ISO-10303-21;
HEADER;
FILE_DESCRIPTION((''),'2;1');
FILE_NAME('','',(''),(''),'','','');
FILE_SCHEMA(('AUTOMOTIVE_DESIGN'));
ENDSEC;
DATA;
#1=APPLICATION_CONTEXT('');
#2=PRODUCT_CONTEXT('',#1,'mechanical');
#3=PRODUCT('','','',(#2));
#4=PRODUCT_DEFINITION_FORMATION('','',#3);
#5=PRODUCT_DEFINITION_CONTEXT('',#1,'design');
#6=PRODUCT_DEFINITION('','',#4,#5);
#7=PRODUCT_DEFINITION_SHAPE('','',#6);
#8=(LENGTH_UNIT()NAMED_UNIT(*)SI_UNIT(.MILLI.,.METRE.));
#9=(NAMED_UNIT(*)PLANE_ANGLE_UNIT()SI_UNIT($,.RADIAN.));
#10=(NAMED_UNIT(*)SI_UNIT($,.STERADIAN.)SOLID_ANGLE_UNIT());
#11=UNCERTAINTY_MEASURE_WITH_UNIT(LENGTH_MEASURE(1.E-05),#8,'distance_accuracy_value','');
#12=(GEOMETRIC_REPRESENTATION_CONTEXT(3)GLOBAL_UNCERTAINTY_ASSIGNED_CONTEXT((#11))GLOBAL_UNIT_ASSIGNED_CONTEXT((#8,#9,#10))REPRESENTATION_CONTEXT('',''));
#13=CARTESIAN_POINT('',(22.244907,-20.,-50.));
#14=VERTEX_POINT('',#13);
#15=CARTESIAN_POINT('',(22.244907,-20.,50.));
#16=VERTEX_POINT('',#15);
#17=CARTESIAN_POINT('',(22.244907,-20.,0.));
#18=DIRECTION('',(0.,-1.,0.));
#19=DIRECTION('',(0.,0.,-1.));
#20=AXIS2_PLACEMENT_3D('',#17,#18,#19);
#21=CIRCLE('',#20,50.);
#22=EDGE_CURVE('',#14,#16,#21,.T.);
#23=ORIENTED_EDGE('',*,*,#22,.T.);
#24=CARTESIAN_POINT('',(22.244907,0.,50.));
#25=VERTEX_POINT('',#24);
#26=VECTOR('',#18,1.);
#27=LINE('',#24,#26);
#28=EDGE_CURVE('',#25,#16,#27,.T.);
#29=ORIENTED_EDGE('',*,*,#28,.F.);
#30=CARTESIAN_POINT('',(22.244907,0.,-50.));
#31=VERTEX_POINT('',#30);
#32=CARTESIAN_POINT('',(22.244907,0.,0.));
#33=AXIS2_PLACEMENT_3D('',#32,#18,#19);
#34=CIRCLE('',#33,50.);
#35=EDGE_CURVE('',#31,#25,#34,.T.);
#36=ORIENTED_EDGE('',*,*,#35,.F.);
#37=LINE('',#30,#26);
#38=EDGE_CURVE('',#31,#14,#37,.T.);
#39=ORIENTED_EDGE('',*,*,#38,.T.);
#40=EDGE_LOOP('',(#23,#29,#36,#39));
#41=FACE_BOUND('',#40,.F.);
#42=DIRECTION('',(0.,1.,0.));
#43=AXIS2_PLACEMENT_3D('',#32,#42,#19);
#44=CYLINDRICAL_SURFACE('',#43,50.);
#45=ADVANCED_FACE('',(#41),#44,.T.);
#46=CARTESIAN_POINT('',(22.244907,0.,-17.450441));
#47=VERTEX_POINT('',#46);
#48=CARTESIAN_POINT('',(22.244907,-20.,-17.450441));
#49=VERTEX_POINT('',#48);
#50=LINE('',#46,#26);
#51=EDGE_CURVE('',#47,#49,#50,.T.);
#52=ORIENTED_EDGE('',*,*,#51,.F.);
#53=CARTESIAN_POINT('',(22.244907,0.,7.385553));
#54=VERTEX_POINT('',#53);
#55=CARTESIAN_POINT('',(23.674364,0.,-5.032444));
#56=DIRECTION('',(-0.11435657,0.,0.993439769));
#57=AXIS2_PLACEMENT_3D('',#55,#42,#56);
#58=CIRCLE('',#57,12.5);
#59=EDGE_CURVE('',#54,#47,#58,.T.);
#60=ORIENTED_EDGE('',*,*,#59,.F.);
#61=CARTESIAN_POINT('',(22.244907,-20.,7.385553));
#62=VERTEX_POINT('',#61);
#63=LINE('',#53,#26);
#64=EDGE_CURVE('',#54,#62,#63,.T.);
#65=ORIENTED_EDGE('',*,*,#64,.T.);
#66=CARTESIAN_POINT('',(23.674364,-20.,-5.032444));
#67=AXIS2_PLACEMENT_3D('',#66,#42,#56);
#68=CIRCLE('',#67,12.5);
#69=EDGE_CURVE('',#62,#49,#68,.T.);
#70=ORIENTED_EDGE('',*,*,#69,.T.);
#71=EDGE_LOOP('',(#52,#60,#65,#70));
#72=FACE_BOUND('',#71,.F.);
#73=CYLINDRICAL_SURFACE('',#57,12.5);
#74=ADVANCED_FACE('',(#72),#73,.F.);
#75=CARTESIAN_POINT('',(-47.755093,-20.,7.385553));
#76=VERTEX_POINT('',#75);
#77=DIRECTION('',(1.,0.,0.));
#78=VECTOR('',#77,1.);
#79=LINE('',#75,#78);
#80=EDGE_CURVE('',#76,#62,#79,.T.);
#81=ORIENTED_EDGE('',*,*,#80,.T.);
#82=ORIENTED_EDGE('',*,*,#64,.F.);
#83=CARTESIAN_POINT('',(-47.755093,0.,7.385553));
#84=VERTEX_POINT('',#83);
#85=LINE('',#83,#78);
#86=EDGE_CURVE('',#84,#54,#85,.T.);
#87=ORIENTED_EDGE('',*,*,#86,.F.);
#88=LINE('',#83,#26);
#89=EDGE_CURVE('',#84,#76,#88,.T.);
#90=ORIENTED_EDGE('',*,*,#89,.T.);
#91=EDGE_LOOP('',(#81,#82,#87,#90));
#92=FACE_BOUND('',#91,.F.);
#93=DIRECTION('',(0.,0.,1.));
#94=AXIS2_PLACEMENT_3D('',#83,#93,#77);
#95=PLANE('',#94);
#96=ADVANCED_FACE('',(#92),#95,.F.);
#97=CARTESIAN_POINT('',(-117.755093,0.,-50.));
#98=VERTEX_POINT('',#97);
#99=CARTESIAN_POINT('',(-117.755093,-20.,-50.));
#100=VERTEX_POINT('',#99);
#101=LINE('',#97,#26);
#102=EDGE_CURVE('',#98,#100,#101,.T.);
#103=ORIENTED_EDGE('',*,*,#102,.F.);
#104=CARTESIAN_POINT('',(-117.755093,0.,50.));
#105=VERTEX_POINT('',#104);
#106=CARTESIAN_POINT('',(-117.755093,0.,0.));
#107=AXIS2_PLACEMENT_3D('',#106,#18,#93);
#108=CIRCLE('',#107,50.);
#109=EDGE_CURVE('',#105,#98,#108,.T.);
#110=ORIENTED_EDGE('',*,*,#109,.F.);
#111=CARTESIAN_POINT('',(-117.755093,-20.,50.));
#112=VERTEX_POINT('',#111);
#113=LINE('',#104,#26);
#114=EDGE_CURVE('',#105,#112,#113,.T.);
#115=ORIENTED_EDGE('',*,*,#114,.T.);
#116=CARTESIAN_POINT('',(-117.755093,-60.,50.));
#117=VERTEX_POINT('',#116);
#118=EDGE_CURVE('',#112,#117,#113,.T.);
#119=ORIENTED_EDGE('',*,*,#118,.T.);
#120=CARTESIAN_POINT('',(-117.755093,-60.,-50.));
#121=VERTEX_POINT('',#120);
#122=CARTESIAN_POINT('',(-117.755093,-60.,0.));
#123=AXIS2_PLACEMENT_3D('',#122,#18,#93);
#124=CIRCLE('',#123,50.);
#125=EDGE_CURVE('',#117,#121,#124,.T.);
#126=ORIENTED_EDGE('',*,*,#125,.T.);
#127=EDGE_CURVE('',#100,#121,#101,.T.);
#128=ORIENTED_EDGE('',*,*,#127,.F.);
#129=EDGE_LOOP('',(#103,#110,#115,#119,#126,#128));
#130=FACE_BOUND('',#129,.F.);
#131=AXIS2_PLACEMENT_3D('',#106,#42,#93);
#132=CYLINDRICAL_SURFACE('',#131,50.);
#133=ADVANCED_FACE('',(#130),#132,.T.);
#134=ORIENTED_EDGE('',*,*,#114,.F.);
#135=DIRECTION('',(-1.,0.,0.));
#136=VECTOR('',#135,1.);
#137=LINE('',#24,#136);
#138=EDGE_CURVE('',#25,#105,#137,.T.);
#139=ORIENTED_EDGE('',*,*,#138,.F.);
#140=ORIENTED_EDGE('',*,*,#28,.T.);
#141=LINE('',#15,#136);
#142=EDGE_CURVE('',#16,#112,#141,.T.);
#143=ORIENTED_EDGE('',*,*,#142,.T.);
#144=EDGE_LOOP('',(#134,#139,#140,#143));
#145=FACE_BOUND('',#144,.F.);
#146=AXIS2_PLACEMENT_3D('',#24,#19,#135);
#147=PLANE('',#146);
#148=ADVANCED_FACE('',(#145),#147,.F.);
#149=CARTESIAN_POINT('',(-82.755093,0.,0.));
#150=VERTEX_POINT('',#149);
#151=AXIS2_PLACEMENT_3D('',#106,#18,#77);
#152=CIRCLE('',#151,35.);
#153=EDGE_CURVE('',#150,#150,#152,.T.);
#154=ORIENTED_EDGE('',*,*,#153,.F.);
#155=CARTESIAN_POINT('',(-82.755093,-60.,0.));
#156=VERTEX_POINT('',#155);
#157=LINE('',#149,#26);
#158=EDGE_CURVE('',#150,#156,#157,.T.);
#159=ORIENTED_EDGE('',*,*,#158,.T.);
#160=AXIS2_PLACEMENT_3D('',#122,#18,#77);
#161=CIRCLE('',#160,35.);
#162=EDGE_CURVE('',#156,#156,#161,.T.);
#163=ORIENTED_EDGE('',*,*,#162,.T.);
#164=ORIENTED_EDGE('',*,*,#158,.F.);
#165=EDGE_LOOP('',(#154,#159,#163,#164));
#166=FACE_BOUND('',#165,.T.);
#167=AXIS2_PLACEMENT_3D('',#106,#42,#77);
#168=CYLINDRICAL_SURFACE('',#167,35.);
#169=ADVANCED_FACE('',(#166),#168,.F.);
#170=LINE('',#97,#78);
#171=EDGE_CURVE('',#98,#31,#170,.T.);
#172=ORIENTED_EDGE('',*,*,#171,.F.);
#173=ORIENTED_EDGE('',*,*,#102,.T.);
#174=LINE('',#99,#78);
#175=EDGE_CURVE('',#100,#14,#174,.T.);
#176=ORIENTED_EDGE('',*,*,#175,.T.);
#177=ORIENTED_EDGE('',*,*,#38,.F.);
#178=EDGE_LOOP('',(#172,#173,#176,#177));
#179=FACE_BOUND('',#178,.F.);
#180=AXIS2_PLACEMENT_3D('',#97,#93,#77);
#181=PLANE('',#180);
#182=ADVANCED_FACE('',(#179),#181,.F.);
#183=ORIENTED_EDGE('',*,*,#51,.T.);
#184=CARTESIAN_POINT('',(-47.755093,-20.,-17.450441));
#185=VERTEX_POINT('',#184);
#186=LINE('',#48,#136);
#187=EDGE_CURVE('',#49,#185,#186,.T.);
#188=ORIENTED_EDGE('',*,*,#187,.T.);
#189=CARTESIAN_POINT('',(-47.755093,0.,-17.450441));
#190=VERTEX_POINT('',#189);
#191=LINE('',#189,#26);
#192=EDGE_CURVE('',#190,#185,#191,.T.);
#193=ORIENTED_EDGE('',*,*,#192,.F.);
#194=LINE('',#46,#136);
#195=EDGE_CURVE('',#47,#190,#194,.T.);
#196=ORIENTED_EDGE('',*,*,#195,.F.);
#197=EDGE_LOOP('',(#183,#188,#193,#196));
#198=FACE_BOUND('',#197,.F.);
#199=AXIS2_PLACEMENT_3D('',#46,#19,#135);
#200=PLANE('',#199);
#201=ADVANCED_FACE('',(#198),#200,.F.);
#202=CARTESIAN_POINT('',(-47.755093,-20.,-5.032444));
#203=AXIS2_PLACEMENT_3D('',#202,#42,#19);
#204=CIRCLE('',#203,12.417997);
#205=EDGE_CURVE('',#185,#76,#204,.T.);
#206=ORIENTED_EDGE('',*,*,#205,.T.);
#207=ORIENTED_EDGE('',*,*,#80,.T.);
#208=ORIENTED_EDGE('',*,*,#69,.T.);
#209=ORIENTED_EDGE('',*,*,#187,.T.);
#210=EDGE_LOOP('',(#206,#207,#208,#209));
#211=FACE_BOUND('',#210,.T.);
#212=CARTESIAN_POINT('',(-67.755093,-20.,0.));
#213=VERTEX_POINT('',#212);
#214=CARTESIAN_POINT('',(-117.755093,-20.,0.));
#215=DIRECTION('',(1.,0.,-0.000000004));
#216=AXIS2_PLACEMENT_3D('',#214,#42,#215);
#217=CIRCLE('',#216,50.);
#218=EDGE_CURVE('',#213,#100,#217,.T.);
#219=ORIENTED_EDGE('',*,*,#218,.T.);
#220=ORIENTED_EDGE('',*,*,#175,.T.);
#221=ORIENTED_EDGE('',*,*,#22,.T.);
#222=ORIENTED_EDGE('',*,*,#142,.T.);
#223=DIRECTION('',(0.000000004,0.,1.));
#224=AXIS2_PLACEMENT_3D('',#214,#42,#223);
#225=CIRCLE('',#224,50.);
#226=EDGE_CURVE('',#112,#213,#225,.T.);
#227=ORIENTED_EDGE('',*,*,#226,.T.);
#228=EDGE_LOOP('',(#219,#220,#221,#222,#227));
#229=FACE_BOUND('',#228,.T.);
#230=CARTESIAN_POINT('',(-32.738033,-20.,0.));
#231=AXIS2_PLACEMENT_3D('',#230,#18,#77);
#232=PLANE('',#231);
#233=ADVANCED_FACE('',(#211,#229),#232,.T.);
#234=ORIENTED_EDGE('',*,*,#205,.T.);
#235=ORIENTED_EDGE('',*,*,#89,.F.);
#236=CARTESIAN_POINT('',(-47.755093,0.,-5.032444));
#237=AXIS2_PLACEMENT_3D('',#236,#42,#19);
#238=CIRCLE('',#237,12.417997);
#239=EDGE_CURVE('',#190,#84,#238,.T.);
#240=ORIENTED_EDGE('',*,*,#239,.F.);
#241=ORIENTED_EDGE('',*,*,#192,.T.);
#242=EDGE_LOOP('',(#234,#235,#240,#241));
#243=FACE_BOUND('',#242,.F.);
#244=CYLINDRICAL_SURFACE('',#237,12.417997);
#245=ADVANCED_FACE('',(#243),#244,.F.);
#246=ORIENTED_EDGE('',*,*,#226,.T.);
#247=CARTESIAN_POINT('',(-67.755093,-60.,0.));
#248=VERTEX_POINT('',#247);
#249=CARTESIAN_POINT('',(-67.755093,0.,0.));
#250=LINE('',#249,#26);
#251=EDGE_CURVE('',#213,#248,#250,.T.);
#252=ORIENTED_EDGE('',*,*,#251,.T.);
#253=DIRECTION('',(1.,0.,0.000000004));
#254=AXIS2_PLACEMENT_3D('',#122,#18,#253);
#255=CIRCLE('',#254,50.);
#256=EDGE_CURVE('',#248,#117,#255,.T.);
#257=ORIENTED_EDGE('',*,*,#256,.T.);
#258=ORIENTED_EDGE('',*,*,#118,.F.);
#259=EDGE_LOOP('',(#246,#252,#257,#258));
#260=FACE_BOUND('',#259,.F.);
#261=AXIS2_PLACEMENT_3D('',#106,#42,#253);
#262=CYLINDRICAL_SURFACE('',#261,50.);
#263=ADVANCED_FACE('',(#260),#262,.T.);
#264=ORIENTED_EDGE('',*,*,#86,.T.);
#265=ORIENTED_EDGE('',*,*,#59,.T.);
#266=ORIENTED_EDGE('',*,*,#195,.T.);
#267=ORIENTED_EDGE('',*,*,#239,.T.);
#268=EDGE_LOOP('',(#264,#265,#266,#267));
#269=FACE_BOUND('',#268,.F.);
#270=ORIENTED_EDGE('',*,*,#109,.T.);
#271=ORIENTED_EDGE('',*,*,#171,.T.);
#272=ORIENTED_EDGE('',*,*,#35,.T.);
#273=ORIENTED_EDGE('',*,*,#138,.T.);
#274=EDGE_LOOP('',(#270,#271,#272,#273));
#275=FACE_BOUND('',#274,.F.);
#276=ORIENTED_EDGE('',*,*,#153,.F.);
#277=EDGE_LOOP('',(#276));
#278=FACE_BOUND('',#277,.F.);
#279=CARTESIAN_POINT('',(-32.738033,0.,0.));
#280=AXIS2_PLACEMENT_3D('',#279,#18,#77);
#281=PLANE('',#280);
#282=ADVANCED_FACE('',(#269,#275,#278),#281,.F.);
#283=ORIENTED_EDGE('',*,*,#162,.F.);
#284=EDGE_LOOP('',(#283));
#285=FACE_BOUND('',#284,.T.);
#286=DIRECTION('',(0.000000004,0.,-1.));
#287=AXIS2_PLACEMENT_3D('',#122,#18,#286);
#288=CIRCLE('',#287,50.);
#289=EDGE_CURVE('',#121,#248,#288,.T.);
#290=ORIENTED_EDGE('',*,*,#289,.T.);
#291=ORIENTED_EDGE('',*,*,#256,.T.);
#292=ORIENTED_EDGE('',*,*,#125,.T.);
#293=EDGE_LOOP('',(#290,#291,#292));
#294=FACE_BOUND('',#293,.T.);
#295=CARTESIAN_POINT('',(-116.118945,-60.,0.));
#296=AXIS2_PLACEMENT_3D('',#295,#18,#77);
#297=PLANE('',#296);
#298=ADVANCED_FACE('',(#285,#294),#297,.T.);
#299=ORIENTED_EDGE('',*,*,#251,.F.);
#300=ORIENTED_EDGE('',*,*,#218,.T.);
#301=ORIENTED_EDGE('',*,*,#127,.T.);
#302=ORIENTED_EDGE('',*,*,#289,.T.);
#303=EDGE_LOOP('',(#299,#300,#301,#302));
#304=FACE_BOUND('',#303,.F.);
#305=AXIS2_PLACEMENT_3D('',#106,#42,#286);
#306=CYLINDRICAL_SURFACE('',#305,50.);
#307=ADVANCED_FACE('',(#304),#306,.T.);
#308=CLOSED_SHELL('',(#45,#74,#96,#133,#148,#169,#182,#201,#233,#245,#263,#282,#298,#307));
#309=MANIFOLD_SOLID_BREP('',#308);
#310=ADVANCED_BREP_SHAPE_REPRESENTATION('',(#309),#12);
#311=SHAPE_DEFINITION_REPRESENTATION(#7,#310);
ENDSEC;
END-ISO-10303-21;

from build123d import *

# Parameters (mm, degrees)
F0_R     = 35
F1_DEPTH = 60
F2_DEPTH = 20


with BuildPart() as f1:
    # F0 (on Front) → F1 (new body)
    with BuildSketch(Plane.XZ):
        with BuildLine():
            ThreePointArc((-117.755093, -50), (-82.399754, -35.355339), (-67.755093, 0))
            ThreePointArc((-67.755093, 0), (-82.399754, 35.355339), (-117.755093, 50))
            ThreePointArc((-117.755093, 50), (-167.755093, 0), (-117.755093, -50))
        make_face()
        with Locations((-117.755093, 0)):
            Circle(F0_R, mode=Mode.SUBTRACT)
    extrude(amount=F1_DEPTH)

    # F0 (on Front) → F2 (join)
    with BuildSketch(Plane.XZ):
        with BuildLine():
            ThreePointArc((-117.755093, 50), (-82.399754, 35.355339), (-67.755093, 0))
            ThreePointArc((-67.755093, 0), (-82.399754, -35.355339), (-117.755093, -50))
            Line((-117.755093, -50), (22.244907, -50))
            ThreePointArc((22.244907, -50), (72.244907, 0), (22.244907, 50))
            Line((22.244907, 50), (-117.755093, 50))
        make_face()
        with BuildLine():
            ThreePointArc((22.244907, 7.385553), (36.174364, -5.032444), (22.244907, -17.450441))
            Line((22.244907, -17.450441), (-47.755093, -17.450441))
            ThreePointArc((-47.755093, -17.450441), (-60.17309, -5.032444), (-47.755093, 7.385553))
            Line((-47.755093, 7.385553), (22.244907, 7.385553))
        make_face(mode=Mode.SUBTRACT)
    extrude(amount=F2_DEPTH)


solid = f1.part
